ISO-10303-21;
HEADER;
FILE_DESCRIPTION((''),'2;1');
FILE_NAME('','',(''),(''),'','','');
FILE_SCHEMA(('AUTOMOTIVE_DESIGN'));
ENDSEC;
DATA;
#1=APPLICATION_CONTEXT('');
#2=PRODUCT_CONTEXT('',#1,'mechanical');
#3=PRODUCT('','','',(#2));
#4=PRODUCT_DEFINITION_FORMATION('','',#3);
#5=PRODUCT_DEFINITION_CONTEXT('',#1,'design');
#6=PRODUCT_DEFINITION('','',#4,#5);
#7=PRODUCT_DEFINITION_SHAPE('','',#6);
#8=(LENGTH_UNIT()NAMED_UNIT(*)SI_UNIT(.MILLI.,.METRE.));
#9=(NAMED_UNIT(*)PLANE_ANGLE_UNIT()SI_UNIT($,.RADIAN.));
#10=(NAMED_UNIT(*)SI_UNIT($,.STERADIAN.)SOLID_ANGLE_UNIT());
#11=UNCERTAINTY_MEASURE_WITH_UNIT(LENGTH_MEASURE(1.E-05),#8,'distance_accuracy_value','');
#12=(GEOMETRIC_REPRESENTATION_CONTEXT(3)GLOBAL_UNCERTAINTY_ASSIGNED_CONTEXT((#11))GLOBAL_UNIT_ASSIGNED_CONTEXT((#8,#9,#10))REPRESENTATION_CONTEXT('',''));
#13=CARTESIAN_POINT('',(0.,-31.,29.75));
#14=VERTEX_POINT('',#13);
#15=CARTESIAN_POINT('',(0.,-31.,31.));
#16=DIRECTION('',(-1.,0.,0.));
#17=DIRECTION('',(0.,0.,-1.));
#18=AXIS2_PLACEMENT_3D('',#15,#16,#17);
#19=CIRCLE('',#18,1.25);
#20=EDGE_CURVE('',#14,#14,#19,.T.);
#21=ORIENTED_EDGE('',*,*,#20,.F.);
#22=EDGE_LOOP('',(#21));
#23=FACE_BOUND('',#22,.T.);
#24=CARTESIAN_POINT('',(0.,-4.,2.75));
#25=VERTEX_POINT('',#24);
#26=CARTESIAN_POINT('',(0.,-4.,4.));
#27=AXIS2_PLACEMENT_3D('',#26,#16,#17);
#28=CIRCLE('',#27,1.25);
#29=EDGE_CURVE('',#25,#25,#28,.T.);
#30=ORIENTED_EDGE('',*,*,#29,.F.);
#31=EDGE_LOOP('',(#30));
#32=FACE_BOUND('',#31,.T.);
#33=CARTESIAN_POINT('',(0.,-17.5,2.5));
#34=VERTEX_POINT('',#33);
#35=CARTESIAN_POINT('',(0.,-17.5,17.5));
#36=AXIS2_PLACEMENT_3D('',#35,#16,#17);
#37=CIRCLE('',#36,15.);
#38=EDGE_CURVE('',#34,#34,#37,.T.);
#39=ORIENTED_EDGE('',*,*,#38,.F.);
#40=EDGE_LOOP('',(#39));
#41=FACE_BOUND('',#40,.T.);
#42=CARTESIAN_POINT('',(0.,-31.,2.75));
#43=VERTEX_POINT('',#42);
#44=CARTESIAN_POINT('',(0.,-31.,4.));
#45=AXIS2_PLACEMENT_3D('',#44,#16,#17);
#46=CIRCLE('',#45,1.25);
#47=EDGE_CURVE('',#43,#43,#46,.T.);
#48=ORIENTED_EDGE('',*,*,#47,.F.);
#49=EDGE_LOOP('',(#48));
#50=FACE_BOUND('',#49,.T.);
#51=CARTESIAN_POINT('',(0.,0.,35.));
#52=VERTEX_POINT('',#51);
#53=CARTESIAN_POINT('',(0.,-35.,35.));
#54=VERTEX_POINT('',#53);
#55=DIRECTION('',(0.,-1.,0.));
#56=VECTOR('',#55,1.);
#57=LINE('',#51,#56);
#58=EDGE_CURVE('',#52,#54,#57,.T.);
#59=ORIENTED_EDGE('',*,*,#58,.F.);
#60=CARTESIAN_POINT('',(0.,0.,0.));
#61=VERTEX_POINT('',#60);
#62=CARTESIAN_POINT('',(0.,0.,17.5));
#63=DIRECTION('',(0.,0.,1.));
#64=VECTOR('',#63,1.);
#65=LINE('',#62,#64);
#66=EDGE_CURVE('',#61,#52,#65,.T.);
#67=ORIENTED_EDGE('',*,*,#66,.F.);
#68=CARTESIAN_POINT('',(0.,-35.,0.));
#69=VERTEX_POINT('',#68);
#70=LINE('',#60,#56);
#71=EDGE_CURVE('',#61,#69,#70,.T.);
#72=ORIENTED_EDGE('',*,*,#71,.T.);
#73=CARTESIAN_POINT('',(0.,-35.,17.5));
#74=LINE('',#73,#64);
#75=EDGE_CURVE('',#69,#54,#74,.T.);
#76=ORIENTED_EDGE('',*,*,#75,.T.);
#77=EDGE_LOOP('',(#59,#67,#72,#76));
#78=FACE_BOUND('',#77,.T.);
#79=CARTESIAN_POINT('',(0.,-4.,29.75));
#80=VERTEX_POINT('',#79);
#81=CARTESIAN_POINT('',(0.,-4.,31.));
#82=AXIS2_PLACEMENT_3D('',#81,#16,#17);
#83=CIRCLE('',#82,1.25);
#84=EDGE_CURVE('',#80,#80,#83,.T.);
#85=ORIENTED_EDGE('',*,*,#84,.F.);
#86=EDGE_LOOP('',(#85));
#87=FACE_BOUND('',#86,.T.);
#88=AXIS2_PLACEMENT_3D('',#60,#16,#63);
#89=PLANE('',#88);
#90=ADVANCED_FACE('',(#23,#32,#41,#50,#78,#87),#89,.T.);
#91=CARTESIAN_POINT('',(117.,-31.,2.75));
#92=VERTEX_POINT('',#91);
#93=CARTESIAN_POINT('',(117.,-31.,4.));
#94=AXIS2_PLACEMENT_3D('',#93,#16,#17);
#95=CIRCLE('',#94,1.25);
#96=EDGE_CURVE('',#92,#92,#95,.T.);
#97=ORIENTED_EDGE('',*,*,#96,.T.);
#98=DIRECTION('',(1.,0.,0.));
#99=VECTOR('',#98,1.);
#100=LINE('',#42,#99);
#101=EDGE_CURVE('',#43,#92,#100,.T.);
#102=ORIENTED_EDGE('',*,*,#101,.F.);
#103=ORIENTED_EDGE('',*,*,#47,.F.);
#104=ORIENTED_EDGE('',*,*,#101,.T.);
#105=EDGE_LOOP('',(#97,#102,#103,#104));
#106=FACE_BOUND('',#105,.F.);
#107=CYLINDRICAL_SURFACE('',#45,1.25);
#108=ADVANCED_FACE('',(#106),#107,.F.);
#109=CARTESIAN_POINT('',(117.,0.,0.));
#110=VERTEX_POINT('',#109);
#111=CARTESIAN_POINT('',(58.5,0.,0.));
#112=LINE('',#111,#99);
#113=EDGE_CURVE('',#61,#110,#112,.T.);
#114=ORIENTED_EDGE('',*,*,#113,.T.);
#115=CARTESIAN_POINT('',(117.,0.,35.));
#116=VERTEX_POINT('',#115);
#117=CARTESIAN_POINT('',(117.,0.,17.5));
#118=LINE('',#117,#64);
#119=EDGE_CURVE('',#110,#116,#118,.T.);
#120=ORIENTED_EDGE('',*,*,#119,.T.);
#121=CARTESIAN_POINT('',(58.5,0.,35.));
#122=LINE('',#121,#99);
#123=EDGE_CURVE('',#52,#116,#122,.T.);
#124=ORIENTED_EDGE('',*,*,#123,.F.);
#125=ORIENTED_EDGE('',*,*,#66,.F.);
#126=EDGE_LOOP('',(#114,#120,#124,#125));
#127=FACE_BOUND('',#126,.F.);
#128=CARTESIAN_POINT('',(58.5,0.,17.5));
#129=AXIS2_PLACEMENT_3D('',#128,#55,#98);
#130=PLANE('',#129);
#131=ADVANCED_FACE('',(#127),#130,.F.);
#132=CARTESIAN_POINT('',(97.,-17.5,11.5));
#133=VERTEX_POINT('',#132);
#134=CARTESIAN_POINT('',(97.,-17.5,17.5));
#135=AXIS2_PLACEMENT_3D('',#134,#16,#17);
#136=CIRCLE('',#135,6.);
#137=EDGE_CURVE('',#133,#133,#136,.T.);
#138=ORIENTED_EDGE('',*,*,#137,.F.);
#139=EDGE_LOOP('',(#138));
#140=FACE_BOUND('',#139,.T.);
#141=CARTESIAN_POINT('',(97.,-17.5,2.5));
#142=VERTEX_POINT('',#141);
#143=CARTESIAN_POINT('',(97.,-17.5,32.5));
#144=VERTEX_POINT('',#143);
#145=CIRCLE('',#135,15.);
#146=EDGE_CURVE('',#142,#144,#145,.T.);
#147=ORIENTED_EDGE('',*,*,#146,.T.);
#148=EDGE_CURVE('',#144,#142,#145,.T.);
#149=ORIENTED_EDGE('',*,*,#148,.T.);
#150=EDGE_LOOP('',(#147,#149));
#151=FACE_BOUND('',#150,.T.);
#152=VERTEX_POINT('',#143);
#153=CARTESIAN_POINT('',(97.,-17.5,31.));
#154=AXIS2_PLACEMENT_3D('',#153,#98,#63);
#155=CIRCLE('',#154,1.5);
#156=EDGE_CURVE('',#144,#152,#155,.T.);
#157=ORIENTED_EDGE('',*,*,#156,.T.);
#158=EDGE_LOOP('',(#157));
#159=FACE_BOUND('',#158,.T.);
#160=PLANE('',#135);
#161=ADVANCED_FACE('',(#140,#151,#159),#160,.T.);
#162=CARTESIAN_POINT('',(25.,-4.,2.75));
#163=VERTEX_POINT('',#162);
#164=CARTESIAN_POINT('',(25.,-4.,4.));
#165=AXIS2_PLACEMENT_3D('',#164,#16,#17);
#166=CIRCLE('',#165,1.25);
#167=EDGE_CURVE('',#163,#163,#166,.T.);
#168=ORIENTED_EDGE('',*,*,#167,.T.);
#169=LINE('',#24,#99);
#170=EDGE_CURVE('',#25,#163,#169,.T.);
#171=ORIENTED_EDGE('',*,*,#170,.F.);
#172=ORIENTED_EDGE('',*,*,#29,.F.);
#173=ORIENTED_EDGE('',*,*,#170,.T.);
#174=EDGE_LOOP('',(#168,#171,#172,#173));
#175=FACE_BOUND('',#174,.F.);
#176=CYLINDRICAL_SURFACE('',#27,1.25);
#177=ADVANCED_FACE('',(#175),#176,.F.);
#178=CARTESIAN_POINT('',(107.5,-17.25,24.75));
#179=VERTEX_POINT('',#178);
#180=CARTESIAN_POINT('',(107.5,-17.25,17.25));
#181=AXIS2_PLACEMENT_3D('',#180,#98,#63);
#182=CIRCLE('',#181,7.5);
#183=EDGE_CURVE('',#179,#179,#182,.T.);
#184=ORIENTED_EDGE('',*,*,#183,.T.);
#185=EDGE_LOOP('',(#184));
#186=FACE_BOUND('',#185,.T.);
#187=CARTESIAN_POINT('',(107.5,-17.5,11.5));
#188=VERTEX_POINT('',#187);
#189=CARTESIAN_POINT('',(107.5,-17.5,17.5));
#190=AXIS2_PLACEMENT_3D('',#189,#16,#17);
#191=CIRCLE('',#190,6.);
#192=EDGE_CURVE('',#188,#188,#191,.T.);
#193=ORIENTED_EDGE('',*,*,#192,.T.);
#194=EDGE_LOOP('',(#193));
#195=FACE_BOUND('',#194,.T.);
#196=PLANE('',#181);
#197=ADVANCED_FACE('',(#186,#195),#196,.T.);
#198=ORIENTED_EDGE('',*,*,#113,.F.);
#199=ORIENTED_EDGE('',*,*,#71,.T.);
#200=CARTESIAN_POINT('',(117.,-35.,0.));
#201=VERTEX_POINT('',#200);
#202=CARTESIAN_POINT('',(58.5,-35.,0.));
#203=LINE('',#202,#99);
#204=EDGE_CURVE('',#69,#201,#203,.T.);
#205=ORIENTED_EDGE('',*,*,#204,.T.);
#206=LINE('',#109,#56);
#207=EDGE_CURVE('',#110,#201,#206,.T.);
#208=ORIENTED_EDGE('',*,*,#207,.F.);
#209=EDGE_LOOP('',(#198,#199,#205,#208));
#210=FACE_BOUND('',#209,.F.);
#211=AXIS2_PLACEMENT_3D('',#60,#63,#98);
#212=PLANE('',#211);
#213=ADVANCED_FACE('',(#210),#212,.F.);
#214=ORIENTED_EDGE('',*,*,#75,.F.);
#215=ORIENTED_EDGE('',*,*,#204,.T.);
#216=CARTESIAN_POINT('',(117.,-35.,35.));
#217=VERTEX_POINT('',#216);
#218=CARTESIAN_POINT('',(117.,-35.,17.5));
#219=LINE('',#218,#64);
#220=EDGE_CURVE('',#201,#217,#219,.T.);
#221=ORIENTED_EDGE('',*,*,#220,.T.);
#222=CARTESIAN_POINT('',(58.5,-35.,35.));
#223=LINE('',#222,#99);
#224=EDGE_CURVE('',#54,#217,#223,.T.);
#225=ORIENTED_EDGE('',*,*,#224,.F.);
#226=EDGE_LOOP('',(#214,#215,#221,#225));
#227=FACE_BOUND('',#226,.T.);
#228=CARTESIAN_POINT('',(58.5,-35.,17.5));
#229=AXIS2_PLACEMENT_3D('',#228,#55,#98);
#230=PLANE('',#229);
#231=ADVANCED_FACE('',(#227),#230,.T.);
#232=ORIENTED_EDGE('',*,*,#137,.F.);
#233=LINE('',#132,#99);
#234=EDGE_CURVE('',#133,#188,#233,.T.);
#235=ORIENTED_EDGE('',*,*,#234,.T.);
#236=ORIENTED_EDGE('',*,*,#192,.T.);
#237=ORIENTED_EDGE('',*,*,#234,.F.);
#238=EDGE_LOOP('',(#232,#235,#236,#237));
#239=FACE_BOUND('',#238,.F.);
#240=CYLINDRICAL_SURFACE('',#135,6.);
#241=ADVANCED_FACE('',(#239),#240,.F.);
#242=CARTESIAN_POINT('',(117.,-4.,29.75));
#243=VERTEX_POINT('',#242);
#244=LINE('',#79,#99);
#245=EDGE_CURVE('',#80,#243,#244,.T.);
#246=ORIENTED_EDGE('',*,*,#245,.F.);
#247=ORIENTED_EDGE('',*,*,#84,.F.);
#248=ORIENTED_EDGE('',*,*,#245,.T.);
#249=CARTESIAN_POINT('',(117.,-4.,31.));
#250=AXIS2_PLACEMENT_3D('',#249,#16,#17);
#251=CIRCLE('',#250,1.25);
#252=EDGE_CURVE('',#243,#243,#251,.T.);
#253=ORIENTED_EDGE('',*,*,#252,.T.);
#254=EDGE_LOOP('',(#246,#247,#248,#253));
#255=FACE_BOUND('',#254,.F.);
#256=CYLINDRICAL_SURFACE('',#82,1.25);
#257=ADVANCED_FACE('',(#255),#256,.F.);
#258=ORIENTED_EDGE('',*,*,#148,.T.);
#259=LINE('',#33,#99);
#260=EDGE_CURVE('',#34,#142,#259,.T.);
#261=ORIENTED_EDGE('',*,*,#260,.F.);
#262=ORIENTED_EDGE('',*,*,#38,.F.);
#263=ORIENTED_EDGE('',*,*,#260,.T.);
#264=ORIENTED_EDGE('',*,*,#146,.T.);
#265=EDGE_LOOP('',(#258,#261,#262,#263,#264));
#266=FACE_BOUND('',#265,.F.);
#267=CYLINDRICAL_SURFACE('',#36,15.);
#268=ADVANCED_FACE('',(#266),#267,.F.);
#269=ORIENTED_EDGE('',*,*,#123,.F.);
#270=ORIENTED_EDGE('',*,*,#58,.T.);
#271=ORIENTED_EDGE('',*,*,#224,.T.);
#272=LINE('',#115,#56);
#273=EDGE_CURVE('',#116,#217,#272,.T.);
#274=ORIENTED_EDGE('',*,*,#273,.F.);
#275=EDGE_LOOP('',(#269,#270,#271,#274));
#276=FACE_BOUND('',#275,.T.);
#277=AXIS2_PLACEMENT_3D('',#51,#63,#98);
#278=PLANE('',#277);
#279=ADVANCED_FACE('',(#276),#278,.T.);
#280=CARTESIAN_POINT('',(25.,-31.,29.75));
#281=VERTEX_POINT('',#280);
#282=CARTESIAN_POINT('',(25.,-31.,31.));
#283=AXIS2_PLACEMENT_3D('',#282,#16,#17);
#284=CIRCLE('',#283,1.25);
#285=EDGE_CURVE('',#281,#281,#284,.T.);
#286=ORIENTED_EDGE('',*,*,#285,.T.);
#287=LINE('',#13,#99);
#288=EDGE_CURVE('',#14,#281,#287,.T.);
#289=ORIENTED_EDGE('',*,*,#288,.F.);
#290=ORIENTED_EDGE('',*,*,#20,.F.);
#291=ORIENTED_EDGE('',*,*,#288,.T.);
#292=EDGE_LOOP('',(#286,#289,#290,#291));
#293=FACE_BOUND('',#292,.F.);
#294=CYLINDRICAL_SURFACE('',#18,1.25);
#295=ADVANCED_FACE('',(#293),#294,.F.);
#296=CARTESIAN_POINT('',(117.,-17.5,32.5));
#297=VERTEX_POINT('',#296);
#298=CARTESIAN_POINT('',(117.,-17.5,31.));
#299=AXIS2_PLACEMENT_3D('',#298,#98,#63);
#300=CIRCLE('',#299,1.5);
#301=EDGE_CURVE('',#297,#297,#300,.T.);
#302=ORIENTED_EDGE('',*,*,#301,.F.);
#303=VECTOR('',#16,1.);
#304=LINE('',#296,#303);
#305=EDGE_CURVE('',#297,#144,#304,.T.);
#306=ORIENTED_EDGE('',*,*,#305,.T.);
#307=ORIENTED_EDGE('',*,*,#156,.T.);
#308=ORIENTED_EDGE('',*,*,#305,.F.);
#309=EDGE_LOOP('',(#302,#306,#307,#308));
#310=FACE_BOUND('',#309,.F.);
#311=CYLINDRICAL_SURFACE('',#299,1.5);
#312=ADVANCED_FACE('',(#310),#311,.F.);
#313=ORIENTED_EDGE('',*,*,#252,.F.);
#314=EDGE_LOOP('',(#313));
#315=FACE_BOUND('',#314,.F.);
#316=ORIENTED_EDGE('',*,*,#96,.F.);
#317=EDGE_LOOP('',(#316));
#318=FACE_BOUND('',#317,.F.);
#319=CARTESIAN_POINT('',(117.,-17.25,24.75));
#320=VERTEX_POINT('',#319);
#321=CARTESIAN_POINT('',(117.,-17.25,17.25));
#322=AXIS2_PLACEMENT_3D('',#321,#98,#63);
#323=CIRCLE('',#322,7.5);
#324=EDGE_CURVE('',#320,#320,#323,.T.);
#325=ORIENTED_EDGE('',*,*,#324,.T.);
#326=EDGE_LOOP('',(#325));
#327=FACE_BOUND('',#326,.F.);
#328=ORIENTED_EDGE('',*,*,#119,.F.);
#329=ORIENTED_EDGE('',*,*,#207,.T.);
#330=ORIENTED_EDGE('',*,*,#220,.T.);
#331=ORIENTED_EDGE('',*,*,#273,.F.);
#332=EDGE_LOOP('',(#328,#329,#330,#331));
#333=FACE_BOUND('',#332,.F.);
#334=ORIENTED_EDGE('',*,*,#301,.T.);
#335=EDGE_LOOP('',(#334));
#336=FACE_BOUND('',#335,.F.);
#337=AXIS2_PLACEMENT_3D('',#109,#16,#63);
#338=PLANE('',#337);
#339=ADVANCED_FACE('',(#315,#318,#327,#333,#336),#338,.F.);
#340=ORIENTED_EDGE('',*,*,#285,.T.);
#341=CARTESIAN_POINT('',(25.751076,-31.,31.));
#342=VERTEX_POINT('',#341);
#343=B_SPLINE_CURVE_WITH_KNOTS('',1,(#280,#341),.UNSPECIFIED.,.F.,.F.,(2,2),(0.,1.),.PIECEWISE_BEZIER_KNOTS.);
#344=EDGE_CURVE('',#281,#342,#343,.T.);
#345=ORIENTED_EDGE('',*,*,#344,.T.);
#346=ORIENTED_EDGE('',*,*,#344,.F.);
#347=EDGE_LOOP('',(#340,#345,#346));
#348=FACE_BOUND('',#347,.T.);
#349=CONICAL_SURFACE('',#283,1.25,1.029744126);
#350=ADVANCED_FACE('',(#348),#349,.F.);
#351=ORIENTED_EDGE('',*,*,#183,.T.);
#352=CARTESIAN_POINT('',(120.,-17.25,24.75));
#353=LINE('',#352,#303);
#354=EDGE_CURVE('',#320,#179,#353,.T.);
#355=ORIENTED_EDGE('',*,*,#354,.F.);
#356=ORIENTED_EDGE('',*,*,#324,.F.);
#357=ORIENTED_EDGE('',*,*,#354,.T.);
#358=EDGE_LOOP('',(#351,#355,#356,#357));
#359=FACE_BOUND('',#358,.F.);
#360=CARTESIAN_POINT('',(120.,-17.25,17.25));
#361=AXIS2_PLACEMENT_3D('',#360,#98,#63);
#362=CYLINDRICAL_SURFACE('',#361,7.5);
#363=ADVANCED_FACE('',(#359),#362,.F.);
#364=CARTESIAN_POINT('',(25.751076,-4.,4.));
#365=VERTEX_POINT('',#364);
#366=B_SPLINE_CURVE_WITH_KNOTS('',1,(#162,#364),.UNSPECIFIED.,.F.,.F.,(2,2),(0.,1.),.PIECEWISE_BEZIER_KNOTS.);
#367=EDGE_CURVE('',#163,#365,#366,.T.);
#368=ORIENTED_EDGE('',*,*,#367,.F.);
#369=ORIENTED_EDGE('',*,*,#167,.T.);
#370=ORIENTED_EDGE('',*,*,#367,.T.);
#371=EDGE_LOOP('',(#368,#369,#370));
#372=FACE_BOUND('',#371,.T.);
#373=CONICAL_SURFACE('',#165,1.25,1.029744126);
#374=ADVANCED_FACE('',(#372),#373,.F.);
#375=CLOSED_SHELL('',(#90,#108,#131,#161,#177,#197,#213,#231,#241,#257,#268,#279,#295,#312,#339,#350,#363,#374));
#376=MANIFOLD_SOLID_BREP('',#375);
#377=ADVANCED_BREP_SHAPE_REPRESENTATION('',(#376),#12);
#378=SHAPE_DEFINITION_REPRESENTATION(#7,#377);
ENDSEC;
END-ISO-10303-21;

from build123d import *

# Parameters (mm, degrees)
SKETCH_W        = 117
SKETCH_H        = 35
PAD_DEPTH       = 35
SKETCH001_R     = 15
POCKET_DEPTH    = 97
SKETCH002_R     = 7.5
POCKET001_DEPTH = 12.5
SKETCH003_R     = 6
POCKET002_DEPTH = 12.5
SKETCH004_R     = 1.25
HOLE_DEPTH      = 117.001
SKETCH005_R     = 1.25
HOLE001_DEPTH   = 25
HOLE001_TIPS_R  = 1.25
SKETCH006_R     = 1.5
HOLE002_DEPTH   = 25
HOLE002_TIPS_R  = 1.5


with BuildPart() as part:
    # Sketch → Pad (new body)
    with BuildSketch(Plane.XZ):
        with Locations((58.5, 17.5)):
            Rectangle(SKETCH_W, SKETCH_H)
    extrude(amount=PAD_DEPTH)

    # Sketch001 → Pocket (cut)
    with BuildSketch(Plane(origin=(0, 0, 0), x_dir=(0, 0, -1), z_dir=(-1, 0, 0))):
        with Locations((-17.5, 17.5)):
            Circle(SKETCH001_R)
    extrude(amount=-POCKET_DEPTH, mode=Mode.SUBTRACT)

    # Sketch002 → Pocket001 (cut)
    with BuildSketch(Plane(origin=(120, 0, 0), x_dir=(0, 0, 1), z_dir=(1, 0, 0))):
        with Locations((17.25, 17.25)):
            Circle(SKETCH002_R)
    extrude(amount=-POCKET001_DEPTH, mode=Mode.SUBTRACT)

    # Sketch003 → Pocket002 (cut)
    with BuildSketch(Plane(origin=(97, 0, 0), x_dir=(0, 0, -1), z_dir=(-1, 0, 0))):
        with Locations((-17.5, 17.5)):
            Circle(SKETCH003_R)
    extrude(amount=-POCKET002_DEPTH, mode=Mode.SUBTRACT)

    # Sketch004 → Hole (cut, through all)
    with BuildSketch(Plane(origin=(0, 0, 0), x_dir=(0, 0, -1), z_dir=(-1, 0, 0))):
        with Locations((-31, 4)):
            Circle(SKETCH004_R)
        with Locations((-4, 31)):
            Circle(SKETCH004_R)
    extrude(amount=-HOLE_DEPTH, mode=Mode.SUBTRACT)

    # Sketch005 (on Face2 of Hole) → Hole001 (cut)
    with BuildSketch(Plane(origin=(0, 0, 0), x_dir=(0, 0, -1), z_dir=(-1, 0, 0))):
        with Locations((-4, 4)):
            Circle(SKETCH005_R)
        with Locations((-31, 31)):
            Circle(SKETCH005_R)
    extrude(amount=-HOLE001_DEPTH, mode=Mode.SUBTRACT)

    # Hole001 tips → Hole001 tip 1 section 0
    with BuildSketch(Plane(origin=(25, 0, 0), x_dir=(0, 0, -1), z_dir=(-1, 0, 0)), mode=Mode.PRIVATE) as hole001_tip_1_s0:
        with Locations((-4, 4)):
            Circle(HOLE001_TIPS_R)
    loft([hole001_tip_1_s0.sketch, Vertex(25.751076, -4, 4)], mode=Mode.SUBTRACT)

    # Hole001 tips → Hole001 tip 2 section 0
    with BuildSketch(Plane(origin=(25, 0, 0), x_dir=(0, 0, -1), z_dir=(-1, 0, 0)), mode=Mode.PRIVATE) as hole001_tip_2_s0:
        with Locations((-31, 31)):
            Circle(HOLE001_TIPS_R)
    loft([hole001_tip_2_s0.sketch, Vertex(25.751076, -31, 31)], mode=Mode.SUBTRACT)

    # Sketch006 → Hole002 (cut)
    with BuildSketch(Plane(origin=(117, 0, 0), x_dir=(0, 0, 1), z_dir=(1, 0, 0))):
        with Locations((31, 17.5)):
            Circle(SKETCH006_R)
    extrude(amount=-HOLE002_DEPTH, mode=Mode.SUBTRACT)

    # Hole002 tips → Hole002 tip 1 section 0
    with BuildSketch(Plane(origin=(92, 0, 0), x_dir=(0, 0, 1), z_dir=(1, 0, 0)), mode=Mode.PRIVATE) as hole002_tip_1_s0:
        with Locations((31, 17.5)):
            Circle(HOLE002_TIPS_R)
    loft([hole002_tip_1_s0.sketch, Vertex(91.098709, -17.5, 31)], mode=Mode.SUBTRACT)


solid = part.part
